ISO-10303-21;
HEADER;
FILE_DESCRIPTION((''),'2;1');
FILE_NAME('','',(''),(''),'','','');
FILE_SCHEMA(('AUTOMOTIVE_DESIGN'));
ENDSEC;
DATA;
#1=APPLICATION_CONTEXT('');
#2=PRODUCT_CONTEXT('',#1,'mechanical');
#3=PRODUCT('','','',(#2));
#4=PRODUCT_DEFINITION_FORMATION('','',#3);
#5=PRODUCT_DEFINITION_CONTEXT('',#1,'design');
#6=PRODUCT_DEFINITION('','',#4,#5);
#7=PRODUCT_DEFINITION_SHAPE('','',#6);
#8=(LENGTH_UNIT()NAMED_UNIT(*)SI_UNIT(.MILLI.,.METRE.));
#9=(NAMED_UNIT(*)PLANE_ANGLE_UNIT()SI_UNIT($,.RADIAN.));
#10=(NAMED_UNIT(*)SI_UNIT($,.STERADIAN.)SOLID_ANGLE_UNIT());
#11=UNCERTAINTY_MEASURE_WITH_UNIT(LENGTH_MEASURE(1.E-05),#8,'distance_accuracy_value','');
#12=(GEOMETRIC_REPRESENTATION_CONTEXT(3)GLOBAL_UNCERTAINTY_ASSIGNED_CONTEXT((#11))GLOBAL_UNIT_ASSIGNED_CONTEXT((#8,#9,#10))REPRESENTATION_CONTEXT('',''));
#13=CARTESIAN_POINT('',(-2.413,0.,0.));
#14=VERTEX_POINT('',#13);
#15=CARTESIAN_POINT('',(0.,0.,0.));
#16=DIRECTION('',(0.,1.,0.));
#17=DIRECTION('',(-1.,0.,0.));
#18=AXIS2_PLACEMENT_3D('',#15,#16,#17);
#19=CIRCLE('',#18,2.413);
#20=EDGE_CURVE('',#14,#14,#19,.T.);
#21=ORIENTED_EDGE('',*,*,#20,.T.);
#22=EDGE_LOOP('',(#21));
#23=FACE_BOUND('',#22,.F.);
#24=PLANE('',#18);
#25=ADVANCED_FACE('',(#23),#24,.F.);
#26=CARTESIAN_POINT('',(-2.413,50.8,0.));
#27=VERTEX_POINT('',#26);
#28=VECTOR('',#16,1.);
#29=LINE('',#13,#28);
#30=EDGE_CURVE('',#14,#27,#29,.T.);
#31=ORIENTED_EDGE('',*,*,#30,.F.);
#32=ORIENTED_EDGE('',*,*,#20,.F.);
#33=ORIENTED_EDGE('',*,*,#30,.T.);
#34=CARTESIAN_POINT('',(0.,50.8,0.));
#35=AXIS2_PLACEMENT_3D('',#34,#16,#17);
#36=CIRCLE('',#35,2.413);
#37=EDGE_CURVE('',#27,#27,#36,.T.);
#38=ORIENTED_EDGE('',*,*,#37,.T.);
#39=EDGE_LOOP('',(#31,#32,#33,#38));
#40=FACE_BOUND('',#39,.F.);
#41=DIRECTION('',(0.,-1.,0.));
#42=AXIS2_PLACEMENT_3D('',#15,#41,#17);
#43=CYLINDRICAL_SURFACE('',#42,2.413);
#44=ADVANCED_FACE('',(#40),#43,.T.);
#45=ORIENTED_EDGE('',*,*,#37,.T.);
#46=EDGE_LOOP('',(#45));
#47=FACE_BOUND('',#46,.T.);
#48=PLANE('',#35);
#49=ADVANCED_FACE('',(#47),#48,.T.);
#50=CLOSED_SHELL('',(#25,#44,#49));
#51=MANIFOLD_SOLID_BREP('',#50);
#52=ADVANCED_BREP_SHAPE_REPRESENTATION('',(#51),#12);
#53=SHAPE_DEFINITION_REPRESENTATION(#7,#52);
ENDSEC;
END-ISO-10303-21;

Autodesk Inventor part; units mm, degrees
ref_plane "YZ Plane" through (0, 0, 0) normal (1, 0, 0) x (0, 1, 0)
ref_plane "XZ Plane" through (0, 0, 0) normal (0, 1, 0) x (-1, 0, 0)
ref_plane "XY Plane" through (0, 0, 0) normal (0, 0, 1) x (1, 0, 0)
sketch "Sketch1" plane through (0, 0, 0) normal (0, 1, 0) x (-1, 0, 0)
  circle A0 centre (0, 0) radius 2.413
  dimension "d0" = 4.826
extrude "Extrusion1" add sketch "Sketch1" along normal blind 50.8
properties part number "Axle 0.190 in 3 in length"
